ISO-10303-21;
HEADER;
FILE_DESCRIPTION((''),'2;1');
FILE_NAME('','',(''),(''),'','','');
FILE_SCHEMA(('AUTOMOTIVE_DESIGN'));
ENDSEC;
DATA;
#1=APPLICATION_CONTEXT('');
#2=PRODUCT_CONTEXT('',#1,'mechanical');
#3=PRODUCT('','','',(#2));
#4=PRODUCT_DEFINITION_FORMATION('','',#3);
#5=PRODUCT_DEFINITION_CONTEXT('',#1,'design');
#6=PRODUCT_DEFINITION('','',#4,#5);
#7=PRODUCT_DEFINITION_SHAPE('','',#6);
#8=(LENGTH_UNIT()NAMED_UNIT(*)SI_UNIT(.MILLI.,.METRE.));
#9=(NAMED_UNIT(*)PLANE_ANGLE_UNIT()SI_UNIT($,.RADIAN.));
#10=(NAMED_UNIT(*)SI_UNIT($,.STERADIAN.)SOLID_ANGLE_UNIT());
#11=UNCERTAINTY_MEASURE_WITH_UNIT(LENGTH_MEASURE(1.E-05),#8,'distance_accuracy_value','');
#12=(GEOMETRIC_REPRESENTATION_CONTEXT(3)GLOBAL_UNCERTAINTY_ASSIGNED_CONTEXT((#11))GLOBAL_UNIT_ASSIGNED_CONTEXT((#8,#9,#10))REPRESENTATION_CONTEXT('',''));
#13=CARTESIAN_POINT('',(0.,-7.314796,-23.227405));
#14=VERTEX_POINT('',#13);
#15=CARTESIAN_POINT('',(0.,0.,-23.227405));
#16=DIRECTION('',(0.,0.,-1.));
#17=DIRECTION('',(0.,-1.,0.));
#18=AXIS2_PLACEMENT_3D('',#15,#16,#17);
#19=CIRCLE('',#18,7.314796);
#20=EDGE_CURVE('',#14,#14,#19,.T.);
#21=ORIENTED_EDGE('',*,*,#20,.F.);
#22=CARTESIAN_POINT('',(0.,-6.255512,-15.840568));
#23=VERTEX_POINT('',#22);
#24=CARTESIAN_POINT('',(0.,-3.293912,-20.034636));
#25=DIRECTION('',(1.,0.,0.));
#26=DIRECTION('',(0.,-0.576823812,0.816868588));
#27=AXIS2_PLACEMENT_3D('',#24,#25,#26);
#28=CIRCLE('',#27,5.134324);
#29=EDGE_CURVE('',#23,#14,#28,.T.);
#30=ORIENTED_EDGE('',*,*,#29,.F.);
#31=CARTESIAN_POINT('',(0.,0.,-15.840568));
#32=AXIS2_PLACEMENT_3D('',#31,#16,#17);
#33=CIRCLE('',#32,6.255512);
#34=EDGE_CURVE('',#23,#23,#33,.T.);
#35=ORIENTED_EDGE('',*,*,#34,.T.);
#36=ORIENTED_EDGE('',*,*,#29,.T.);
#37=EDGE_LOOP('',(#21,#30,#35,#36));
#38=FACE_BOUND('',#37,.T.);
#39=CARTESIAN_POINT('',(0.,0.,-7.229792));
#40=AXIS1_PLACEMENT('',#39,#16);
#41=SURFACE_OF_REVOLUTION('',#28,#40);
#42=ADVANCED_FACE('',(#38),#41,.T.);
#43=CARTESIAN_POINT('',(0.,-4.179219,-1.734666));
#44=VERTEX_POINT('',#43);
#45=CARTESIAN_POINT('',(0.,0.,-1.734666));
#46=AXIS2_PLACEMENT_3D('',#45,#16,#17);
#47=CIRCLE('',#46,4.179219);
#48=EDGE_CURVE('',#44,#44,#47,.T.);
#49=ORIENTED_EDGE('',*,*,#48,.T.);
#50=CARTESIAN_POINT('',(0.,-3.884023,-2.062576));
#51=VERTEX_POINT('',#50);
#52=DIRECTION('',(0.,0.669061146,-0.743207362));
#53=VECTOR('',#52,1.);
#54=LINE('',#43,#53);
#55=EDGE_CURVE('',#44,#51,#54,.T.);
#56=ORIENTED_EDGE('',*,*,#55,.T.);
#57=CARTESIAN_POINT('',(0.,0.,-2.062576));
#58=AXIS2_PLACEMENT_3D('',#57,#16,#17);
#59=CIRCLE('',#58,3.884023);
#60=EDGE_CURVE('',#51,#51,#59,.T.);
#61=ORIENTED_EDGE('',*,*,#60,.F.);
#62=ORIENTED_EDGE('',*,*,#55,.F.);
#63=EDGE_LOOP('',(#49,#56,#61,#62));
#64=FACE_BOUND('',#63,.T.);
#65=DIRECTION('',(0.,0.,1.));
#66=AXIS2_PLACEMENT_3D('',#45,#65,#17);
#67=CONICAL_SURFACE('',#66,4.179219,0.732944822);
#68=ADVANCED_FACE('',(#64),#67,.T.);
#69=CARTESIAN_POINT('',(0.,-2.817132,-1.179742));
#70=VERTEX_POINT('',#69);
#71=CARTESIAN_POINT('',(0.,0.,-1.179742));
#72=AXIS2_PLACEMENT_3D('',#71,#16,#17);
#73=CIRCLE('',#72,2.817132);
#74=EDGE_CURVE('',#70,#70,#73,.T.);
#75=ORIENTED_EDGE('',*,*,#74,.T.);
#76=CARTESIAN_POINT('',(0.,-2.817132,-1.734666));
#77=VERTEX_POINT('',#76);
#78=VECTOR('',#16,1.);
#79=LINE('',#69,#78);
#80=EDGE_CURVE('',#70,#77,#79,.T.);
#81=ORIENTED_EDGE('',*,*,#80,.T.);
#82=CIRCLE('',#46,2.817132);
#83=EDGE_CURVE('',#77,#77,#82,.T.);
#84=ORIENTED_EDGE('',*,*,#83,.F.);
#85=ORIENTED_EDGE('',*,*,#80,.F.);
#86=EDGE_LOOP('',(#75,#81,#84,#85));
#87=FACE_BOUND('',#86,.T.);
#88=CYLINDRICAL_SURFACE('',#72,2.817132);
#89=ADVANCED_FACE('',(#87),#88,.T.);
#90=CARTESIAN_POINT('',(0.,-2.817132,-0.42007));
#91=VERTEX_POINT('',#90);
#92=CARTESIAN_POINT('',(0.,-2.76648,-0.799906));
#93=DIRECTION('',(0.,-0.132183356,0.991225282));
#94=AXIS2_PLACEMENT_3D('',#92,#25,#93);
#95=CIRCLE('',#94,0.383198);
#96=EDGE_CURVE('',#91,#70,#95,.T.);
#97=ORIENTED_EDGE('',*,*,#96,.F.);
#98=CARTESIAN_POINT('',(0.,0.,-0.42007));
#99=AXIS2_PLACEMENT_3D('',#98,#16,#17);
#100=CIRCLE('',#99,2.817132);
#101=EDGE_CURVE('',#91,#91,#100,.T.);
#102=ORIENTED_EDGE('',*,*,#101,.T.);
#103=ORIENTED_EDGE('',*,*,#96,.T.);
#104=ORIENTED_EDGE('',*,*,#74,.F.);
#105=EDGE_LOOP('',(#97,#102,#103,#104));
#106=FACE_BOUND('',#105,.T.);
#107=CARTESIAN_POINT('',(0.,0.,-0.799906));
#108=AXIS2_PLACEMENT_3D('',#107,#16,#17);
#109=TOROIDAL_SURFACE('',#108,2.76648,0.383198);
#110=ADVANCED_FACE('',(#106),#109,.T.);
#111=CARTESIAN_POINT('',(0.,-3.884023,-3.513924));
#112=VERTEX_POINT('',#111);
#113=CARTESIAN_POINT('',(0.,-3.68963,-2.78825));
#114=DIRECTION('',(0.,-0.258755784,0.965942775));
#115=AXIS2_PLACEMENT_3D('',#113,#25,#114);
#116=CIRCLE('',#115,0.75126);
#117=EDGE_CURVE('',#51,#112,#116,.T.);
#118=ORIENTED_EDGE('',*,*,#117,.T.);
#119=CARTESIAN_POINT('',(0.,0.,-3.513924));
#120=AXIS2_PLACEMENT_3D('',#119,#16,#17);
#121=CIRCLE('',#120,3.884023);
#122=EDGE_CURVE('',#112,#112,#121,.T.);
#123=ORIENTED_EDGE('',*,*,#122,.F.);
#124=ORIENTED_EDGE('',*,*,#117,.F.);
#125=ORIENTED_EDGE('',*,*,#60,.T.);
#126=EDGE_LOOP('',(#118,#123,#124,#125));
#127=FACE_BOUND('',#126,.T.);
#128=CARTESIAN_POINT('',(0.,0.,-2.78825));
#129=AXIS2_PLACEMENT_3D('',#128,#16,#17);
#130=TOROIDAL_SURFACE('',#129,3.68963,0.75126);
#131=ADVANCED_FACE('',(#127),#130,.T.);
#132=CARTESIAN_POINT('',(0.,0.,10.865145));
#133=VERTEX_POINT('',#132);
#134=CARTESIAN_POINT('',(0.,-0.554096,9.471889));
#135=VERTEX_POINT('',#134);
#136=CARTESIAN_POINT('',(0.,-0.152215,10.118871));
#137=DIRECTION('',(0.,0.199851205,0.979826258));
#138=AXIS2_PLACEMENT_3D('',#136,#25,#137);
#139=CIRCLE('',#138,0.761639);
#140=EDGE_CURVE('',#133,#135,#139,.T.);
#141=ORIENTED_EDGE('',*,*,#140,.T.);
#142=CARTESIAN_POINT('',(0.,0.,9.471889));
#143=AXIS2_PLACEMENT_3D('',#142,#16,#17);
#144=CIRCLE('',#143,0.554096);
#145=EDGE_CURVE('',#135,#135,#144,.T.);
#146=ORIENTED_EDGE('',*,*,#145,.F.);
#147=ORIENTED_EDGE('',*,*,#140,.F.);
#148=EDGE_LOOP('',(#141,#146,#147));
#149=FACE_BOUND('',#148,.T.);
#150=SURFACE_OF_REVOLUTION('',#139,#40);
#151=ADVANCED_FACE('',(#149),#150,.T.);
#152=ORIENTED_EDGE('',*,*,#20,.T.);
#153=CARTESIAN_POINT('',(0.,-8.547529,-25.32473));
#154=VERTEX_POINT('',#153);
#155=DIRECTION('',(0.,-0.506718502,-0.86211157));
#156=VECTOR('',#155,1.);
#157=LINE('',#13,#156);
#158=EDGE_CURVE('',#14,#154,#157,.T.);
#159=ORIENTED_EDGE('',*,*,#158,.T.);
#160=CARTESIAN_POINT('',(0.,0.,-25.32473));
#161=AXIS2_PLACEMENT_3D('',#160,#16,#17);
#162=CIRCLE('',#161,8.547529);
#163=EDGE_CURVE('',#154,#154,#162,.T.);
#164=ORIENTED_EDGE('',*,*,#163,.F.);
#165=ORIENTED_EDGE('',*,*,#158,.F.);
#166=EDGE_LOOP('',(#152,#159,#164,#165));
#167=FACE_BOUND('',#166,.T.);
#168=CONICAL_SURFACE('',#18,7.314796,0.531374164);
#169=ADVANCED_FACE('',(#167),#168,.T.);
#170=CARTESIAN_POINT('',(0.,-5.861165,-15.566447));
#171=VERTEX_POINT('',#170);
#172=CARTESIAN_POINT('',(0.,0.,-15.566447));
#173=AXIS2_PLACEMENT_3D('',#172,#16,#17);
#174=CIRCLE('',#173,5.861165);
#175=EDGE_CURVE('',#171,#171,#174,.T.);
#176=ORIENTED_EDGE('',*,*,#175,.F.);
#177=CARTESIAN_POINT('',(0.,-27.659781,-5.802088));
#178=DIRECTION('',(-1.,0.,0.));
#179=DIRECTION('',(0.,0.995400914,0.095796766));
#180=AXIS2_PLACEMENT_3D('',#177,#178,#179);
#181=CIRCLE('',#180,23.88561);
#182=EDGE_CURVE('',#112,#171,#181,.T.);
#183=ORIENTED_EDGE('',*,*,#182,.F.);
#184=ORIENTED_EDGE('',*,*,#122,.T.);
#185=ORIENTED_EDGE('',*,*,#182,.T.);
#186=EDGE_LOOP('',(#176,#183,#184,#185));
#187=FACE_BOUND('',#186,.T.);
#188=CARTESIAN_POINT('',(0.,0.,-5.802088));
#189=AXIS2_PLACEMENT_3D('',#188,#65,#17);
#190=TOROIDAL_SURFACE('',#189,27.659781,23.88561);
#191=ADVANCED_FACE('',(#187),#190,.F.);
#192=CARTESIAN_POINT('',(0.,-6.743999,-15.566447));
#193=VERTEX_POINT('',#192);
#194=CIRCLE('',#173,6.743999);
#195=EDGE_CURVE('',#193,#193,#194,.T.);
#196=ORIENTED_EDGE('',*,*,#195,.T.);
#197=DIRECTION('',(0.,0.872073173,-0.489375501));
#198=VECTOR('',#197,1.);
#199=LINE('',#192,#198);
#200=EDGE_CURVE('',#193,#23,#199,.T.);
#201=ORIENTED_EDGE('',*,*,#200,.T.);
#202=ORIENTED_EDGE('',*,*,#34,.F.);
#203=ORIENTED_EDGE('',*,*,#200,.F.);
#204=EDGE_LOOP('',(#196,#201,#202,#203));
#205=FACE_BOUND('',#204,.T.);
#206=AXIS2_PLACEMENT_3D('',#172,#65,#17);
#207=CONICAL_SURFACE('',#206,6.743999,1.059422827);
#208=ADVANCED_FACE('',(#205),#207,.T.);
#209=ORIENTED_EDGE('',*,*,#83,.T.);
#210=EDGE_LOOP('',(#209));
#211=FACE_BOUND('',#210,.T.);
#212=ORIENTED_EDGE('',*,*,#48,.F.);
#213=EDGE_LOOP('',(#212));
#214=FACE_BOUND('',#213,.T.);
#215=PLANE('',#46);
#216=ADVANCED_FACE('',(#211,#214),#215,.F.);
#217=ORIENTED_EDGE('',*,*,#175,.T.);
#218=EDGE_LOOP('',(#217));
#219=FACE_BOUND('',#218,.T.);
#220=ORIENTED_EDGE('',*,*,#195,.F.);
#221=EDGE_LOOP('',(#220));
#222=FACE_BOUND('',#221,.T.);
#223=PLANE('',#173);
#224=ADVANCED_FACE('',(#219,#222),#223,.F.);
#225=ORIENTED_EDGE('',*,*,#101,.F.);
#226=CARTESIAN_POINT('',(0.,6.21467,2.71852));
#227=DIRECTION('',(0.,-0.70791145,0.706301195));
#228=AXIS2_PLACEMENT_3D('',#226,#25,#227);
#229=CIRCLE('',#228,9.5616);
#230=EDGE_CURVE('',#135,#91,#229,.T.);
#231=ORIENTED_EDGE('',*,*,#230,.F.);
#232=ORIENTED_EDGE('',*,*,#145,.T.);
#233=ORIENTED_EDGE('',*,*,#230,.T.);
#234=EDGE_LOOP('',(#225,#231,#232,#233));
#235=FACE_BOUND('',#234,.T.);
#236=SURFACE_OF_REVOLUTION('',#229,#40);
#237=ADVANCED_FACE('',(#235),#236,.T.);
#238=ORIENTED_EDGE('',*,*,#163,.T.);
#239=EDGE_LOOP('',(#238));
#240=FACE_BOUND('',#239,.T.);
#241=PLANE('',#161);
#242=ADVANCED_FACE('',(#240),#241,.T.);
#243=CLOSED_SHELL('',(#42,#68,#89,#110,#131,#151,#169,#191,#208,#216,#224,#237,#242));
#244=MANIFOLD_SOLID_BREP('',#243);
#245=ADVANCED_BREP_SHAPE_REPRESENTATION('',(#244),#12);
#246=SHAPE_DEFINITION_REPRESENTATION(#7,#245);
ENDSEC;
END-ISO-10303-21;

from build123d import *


with BuildPart() as f1:
    # F0 (on Right) → F1 (revolve)
    with BuildSketch(Plane.YZ):
        with BuildLine():
            Line((-6.743999, -15.566447), (-6.255512, -15.840568))
            ThreePointArc((-6.255512, -15.840568), (-8.376245, -19.305821), (-7.314796, -23.227405))
            Line((-7.314796, -23.227405), (-8.547529, -25.32473))
            Line((-8.547529, -25.32473), (0, -25.32473))
            Line((0, -25.32473), (0, 10.865145))
            ThreePointArc((0, 10.865145), (-0.859939, 10.400332), (-0.554096, 9.471889))
            ThreePointArc((-0.554096, 9.471889), (-3.106124, 4.850887), (-2.817132, -0.42007))
            ThreePointArc((-2.817132, -0.42007), (-3.149678, -0.799906), (-2.817132, -1.179742))
            Line((-2.817132, -1.179742), (-2.817132, -1.734666))
            Line((-2.817132, -1.734666), (-4.179219, -1.734666))
            Line((-4.179219, -1.734666), (-3.884023, -2.062576))
            ThreePointArc((-3.884023, -2.062576), (-4.44089, -2.78825), (-3.884023, -3.513924))
            ThreePointArc((-3.884023, -3.513924), (-4.089212, -9.668694), (-5.861165, -15.566447))
            Line((-5.861165, -15.566447), (-6.743999, -15.566447))
        make_face()
    revolve(axis=Axis((0, 0, -7.229792), (0, 0, -1)))


solid = f1.part
